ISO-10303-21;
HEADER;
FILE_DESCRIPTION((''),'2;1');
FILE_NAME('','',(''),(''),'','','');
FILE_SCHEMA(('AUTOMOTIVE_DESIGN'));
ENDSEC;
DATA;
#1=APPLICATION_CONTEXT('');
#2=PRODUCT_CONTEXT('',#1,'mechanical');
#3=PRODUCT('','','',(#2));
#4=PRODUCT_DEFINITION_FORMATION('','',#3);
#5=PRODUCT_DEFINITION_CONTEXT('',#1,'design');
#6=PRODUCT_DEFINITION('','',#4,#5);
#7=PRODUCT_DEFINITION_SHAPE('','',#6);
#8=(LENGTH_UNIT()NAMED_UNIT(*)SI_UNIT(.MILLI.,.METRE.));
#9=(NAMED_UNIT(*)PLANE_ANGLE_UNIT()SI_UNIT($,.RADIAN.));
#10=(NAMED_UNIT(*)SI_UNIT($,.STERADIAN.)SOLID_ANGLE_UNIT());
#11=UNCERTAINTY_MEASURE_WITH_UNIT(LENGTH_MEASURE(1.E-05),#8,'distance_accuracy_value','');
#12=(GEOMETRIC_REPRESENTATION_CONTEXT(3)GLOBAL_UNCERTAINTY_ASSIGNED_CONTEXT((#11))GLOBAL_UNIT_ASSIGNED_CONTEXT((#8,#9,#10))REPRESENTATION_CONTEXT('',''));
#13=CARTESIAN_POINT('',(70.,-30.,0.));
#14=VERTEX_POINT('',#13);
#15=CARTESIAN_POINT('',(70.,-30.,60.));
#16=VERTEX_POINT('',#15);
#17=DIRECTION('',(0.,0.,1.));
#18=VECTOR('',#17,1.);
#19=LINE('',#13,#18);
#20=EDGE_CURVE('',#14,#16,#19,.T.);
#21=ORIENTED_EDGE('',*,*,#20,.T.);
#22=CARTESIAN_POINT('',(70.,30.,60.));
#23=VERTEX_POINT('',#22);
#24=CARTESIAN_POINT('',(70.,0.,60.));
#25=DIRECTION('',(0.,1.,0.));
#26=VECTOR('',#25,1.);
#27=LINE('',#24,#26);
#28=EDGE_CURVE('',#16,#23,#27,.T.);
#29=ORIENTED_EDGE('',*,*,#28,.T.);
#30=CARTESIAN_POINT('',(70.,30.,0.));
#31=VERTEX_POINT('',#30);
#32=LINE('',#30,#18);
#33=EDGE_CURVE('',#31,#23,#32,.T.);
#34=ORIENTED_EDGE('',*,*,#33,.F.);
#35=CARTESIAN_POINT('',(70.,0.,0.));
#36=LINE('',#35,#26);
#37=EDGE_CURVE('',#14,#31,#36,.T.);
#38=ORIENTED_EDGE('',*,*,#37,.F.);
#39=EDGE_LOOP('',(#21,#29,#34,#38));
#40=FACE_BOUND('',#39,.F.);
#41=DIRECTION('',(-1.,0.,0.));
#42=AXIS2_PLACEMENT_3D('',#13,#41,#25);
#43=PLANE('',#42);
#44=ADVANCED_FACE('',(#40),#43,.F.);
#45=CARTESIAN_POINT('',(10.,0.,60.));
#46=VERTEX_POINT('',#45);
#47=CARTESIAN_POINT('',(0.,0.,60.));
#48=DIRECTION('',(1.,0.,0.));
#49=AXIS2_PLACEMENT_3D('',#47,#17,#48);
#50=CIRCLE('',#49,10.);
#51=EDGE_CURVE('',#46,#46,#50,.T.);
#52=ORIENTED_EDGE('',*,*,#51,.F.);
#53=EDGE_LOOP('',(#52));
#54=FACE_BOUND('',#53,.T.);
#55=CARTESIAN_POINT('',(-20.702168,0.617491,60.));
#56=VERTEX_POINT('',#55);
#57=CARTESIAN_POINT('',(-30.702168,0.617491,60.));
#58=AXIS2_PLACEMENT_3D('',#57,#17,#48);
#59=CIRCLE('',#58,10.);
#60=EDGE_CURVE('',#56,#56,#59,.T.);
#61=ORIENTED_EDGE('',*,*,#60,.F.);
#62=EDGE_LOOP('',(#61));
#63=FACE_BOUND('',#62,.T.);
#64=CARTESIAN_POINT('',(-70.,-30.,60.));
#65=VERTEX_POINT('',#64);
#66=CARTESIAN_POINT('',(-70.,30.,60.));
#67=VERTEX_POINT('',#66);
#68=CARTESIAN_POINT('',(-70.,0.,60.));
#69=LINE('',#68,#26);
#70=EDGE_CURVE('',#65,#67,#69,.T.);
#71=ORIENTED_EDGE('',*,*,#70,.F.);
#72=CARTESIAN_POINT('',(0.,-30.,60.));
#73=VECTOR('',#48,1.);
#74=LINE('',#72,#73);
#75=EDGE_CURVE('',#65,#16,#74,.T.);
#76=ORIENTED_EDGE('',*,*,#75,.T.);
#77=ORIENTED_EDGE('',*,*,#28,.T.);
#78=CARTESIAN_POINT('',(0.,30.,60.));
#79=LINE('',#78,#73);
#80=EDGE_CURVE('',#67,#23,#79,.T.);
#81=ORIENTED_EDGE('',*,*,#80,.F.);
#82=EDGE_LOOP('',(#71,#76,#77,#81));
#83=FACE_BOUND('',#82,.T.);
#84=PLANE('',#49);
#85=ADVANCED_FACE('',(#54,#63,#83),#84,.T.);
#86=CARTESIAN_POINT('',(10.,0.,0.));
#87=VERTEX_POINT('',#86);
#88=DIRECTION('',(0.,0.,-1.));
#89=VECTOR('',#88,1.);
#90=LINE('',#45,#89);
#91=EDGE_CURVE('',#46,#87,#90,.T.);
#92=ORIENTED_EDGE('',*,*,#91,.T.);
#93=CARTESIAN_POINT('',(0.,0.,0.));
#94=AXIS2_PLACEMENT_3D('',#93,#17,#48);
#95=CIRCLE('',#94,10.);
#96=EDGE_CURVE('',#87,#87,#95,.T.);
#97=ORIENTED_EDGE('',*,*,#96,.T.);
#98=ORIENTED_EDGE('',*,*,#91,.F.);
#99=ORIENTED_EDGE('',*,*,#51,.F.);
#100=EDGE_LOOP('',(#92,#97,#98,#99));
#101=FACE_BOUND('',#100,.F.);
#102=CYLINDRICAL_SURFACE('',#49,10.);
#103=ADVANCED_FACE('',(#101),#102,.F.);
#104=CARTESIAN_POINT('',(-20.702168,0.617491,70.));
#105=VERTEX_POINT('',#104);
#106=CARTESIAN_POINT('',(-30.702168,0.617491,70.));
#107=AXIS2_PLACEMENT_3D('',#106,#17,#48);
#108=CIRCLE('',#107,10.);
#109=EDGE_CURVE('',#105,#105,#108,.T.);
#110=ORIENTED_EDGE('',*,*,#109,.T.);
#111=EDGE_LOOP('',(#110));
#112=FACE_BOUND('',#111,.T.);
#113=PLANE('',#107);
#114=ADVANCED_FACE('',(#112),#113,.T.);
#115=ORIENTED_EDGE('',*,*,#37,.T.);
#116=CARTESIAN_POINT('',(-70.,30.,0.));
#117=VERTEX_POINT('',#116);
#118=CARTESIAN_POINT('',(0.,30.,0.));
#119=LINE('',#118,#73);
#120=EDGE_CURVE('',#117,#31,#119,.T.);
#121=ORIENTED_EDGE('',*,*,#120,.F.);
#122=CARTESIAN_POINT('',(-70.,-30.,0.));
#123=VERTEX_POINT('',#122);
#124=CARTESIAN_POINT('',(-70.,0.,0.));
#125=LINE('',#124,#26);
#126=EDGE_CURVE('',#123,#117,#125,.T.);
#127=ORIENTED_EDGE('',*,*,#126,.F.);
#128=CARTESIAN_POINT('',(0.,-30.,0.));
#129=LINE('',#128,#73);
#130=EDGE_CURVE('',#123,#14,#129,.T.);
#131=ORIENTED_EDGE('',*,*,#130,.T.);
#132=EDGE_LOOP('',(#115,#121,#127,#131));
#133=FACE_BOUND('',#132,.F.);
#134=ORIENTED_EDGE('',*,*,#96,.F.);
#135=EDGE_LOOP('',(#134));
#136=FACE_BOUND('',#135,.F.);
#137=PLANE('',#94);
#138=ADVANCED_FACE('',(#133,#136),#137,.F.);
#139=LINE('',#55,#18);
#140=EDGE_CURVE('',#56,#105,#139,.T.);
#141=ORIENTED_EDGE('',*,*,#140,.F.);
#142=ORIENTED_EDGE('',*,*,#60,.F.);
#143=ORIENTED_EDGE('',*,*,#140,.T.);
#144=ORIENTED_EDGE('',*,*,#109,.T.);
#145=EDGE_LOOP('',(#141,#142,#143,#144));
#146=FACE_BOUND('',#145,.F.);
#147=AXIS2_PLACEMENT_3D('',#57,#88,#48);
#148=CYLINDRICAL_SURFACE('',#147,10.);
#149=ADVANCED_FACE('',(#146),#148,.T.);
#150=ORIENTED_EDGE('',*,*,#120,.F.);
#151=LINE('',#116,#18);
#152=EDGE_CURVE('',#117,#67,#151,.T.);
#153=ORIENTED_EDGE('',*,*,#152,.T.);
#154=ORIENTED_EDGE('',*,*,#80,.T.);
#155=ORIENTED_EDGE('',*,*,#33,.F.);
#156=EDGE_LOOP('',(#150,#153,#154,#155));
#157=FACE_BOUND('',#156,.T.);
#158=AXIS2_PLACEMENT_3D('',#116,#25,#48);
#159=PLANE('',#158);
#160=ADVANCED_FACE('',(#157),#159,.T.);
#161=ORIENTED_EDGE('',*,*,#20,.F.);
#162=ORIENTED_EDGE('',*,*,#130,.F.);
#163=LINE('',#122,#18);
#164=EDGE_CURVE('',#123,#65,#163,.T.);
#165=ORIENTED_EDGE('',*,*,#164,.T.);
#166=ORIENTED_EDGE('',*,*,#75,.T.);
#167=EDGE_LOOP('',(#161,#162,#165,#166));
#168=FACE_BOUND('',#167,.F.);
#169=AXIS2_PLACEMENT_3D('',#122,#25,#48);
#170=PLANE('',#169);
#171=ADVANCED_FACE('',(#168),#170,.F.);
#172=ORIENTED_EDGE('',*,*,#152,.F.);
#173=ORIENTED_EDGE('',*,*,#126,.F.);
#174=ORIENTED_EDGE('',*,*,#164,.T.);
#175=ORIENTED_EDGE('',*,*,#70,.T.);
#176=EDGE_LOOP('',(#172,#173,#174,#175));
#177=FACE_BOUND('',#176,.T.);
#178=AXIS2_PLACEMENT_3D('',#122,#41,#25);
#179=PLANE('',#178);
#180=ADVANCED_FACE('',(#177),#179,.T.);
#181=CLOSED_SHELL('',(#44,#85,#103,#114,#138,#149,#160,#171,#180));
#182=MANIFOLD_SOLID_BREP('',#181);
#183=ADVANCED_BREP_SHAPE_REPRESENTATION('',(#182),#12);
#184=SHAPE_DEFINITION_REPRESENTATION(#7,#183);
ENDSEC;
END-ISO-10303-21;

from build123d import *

# Parameters (mm, degrees)
F0_W     = 140
F0_H     = 60
F1_DEPTH = 60
F3_R     = 10
F5_DEPTH = 10
F4_R     = 10
F6_DEPTH = 73.6


with BuildPart() as f1:
    # F0 (on Top) → F1 (new body)
    with BuildSketch(Plane.XY):
        Rectangle(F0_W, F0_H)
    extrude(amount=F1_DEPTH)

    # F3 (on face) → F5 (join)
    with BuildSketch(Plane.XY.offset(60)):
        with Locations((-30.702168, 0.617491)):
            Circle(F3_R)
    extrude(amount=F5_DEPTH)

    # F4 (on face) → F6 (cut)
    with BuildSketch(Plane.XY.offset(60)):
        Circle(F4_R)
    extrude(amount=-F6_DEPTH, mode=Mode.SUBTRACT)


solid = f1.part
